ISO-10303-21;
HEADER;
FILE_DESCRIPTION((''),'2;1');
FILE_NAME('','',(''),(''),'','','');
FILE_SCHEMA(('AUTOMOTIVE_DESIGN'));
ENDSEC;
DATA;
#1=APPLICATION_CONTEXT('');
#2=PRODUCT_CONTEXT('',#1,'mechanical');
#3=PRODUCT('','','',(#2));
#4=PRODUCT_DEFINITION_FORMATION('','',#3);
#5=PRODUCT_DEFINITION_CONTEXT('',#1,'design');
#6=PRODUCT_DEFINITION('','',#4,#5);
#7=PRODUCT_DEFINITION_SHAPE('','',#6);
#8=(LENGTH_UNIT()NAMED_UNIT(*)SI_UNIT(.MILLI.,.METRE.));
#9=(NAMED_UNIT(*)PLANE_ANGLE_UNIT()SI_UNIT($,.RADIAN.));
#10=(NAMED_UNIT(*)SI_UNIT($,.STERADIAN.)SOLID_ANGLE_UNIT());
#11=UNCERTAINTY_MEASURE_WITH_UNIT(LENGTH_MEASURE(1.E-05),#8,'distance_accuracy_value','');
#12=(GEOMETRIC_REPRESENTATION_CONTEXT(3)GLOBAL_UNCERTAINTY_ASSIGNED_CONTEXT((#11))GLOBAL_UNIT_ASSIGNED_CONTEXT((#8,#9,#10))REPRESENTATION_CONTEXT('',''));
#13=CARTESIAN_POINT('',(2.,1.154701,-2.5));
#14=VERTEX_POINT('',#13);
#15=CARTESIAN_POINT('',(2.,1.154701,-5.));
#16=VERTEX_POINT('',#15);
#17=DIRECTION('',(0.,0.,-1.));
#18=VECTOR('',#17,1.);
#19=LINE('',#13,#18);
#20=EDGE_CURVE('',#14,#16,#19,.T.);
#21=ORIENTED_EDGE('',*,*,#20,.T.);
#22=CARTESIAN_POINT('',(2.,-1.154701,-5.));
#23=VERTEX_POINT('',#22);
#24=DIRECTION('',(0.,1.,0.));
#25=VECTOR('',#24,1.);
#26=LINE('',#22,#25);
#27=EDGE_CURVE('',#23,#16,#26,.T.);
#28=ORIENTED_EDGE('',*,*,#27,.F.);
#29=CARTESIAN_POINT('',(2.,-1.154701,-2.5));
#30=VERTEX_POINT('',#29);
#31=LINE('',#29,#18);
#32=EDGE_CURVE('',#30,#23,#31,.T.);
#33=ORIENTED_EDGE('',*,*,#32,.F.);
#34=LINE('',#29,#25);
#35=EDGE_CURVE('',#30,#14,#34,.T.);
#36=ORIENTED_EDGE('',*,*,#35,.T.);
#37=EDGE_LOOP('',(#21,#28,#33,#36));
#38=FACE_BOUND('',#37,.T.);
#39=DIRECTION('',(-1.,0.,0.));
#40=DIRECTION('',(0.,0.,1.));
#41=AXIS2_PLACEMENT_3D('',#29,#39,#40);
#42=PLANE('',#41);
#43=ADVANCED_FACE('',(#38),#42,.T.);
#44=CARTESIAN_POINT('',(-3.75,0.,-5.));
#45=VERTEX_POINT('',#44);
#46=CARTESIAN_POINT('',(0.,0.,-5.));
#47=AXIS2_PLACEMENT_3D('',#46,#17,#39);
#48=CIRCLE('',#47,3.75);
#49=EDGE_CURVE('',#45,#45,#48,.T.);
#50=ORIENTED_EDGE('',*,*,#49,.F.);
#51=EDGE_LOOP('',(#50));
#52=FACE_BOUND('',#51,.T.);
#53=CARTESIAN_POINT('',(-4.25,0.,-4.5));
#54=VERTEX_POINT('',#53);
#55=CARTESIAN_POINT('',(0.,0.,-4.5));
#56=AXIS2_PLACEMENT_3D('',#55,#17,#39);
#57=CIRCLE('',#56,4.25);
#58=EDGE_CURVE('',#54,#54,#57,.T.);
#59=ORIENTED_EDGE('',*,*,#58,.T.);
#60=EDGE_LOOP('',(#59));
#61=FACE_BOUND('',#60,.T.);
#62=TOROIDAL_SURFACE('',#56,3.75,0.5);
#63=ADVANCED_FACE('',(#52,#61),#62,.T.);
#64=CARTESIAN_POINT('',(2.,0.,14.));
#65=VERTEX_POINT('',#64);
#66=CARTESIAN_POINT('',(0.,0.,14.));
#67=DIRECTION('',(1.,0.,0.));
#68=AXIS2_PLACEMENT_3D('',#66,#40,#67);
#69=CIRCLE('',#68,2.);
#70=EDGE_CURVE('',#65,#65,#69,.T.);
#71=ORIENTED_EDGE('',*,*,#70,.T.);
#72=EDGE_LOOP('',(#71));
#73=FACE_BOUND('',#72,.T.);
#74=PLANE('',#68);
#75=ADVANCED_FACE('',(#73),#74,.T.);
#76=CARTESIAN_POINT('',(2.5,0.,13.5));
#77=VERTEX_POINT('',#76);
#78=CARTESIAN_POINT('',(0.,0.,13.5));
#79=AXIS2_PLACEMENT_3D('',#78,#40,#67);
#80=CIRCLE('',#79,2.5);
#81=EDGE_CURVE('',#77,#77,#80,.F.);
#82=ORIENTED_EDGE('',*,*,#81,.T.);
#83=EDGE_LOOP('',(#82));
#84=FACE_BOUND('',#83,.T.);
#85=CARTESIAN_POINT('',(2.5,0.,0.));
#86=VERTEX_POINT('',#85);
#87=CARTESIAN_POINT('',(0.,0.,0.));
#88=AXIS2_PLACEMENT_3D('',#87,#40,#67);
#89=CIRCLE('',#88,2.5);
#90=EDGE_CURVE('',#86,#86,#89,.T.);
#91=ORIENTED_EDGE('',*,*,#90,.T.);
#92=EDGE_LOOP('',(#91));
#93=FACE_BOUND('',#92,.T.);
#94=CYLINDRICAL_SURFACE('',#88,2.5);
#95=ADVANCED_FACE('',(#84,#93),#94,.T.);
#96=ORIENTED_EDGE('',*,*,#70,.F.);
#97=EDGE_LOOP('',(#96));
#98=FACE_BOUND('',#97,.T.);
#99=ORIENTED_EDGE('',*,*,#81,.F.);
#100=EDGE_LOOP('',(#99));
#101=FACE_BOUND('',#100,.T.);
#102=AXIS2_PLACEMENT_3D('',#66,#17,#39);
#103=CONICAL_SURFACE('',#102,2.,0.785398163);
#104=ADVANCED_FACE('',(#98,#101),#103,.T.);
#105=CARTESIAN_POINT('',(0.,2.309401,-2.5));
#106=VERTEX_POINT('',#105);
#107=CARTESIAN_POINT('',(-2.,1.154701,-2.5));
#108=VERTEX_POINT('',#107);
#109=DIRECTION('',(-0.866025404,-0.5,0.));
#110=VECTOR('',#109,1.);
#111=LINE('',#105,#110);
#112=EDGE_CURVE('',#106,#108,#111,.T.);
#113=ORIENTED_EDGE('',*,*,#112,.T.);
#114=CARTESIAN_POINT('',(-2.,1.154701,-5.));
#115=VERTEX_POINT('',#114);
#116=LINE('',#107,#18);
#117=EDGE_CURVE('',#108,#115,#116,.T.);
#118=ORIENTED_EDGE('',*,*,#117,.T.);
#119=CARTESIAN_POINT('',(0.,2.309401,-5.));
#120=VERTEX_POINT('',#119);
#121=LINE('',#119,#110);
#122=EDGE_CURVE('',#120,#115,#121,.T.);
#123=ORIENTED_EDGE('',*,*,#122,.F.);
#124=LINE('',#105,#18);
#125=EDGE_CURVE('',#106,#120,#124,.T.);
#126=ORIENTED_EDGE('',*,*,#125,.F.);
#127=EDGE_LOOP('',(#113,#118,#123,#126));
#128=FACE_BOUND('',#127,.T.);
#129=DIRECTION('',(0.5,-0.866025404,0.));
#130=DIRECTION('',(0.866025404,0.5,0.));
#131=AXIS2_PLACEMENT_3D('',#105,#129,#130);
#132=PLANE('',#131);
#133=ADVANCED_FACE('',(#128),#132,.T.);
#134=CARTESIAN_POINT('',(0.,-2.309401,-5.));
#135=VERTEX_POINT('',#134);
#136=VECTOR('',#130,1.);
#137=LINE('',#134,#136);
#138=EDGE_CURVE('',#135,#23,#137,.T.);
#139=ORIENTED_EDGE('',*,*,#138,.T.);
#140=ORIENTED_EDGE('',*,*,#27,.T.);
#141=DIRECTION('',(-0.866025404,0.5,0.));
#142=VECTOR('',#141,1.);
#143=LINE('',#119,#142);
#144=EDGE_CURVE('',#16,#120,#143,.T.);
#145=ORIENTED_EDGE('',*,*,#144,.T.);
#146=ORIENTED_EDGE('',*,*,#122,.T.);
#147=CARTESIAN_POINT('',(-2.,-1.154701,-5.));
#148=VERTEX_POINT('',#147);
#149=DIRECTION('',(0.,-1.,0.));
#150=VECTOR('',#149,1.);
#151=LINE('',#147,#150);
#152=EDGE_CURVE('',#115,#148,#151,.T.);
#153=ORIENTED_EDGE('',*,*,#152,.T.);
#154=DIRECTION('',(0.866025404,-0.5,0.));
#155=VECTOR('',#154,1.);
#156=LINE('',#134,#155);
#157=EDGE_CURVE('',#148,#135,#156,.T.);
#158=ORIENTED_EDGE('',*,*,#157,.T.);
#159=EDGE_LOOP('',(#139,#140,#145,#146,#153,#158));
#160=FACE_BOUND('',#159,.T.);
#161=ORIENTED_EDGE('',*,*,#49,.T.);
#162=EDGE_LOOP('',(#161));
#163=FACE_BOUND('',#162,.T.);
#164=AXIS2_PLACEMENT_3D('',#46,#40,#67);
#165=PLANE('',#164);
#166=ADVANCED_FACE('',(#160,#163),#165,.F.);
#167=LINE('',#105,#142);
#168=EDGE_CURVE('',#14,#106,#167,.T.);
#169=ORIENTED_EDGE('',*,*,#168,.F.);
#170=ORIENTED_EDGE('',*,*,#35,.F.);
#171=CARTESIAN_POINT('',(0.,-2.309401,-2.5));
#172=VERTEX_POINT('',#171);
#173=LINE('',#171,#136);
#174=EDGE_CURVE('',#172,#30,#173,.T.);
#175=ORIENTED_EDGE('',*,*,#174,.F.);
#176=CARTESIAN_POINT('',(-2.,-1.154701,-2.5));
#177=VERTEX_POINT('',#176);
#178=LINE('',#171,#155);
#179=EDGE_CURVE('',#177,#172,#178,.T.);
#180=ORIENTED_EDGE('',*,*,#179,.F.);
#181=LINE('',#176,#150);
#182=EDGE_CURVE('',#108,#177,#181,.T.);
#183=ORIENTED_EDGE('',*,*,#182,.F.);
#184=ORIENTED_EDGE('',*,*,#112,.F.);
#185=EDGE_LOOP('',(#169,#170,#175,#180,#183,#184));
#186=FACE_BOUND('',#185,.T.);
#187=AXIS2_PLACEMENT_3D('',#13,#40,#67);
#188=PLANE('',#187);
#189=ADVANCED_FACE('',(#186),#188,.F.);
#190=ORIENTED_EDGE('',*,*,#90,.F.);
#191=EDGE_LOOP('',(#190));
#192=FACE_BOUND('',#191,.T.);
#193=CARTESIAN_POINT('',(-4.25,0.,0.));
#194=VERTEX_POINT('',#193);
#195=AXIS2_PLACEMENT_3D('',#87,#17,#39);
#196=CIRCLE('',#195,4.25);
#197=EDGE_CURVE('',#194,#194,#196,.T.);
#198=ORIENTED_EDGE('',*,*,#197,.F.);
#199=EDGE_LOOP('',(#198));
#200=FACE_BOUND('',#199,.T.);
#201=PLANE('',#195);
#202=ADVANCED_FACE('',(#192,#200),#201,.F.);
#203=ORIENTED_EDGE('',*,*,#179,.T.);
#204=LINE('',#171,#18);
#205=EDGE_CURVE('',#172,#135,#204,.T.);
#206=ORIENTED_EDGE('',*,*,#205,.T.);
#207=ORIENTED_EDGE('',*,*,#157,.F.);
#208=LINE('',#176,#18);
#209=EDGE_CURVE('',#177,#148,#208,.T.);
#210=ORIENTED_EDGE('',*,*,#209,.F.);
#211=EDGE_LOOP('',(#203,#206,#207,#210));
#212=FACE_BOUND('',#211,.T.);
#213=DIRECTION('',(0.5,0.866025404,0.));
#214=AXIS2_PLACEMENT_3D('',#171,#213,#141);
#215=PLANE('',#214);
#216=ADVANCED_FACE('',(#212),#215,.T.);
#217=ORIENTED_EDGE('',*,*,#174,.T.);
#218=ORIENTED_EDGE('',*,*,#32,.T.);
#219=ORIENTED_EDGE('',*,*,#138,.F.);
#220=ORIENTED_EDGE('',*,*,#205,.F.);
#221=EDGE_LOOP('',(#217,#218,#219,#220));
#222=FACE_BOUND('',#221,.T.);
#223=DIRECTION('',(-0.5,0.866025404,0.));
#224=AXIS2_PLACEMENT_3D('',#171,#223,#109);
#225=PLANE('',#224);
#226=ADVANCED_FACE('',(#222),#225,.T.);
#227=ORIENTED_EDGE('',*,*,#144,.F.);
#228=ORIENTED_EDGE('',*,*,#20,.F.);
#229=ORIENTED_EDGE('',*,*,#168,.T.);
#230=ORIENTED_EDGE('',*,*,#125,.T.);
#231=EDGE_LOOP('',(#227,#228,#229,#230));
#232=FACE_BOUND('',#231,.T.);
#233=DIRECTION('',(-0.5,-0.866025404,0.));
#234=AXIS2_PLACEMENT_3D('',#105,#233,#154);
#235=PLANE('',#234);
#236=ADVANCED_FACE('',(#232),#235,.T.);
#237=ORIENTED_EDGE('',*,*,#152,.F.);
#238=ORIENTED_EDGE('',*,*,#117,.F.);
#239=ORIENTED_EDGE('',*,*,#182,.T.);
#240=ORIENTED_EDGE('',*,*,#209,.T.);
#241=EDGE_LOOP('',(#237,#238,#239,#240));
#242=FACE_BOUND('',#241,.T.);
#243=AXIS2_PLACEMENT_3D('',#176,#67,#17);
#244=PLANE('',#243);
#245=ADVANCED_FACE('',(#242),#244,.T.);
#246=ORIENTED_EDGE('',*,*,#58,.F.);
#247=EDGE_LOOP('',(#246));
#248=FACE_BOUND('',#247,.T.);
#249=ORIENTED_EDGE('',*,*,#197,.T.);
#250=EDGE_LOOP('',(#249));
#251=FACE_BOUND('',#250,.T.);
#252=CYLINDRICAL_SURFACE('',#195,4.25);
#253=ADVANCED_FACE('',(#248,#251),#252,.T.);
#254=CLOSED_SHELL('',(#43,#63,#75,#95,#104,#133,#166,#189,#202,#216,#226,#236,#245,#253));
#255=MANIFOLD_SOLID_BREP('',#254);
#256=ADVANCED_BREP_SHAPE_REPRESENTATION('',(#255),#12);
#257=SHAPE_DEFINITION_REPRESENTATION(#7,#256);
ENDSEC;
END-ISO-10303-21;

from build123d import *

# Parameters (mm, degrees)
ENLEV_MAT_EXTRU1_DEPTH = 2.5
ESQUISSE3_W            = 2.5
ESQUISSE3_H            = 14
CHANFREIN1_SIZE        = 0.5


with BuildPart() as part:
    # Esquisse1 → Base-Révolution (revolve)
    with BuildSketch(Plane(origin=(0, 0, 0), x_dir=(1, 0, 0), z_dir=(0, 1, 0)), mode=Mode.PRIVATE) as base_r_volution_sk:
        with BuildLine():
            Line((0, 0), (4.25, 0))
            Line((4.25, 0), (4.25, 4.5))
            ThreePointArc((4.25, 4.5), (4.103553391, 4.853553391), (3.75, 5))
            Line((3.75, 5), (0, 5))
            Line((0, 5), (0, 0))
        make_face()
    revolve(base_r_volution_sk.sketch.rotate(Axis((0, 0, 0), (0, 0, -1)), 180), axis=Axis((0, 0, 0), (0, 0, -1)))

    # Esquisse2 → enlev-mat-Extru1 (cut)
    with BuildSketch(Plane.XY.offset(-5)):
        Polygon((2, -1.154700538), (2, 1.154700538), (0, 2.309401077), (-2, 1.154700538), (-2, -1.154700538), (0, -2.309401077), align=None)
    extrude(amount=ENLEV_MAT_EXTRU1_DEPTH, mode=Mode.SUBTRACT)

    # Esquisse3 → Boss.-Révol.1 (revolve)
    with BuildSketch(Plane(origin=(0, 0, 0), x_dir=(1, 0, 0), z_dir=(0, 1, 0))):
        with Locations((1.25, -7)):
            Rectangle(ESQUISSE3_W, ESQUISSE3_H)
    revolve(axis=Axis((0, 0, 0), (0, 0, 1)))

    # Chanfrein1
    chanfrein1_edges = [part.edges().sort_by_distance(p)[0] for p in [
        (-2.5, 0, 14),
    ]]
    chamfer(chanfrein1_edges, length=CHANFREIN1_SIZE)


solid = part.part
